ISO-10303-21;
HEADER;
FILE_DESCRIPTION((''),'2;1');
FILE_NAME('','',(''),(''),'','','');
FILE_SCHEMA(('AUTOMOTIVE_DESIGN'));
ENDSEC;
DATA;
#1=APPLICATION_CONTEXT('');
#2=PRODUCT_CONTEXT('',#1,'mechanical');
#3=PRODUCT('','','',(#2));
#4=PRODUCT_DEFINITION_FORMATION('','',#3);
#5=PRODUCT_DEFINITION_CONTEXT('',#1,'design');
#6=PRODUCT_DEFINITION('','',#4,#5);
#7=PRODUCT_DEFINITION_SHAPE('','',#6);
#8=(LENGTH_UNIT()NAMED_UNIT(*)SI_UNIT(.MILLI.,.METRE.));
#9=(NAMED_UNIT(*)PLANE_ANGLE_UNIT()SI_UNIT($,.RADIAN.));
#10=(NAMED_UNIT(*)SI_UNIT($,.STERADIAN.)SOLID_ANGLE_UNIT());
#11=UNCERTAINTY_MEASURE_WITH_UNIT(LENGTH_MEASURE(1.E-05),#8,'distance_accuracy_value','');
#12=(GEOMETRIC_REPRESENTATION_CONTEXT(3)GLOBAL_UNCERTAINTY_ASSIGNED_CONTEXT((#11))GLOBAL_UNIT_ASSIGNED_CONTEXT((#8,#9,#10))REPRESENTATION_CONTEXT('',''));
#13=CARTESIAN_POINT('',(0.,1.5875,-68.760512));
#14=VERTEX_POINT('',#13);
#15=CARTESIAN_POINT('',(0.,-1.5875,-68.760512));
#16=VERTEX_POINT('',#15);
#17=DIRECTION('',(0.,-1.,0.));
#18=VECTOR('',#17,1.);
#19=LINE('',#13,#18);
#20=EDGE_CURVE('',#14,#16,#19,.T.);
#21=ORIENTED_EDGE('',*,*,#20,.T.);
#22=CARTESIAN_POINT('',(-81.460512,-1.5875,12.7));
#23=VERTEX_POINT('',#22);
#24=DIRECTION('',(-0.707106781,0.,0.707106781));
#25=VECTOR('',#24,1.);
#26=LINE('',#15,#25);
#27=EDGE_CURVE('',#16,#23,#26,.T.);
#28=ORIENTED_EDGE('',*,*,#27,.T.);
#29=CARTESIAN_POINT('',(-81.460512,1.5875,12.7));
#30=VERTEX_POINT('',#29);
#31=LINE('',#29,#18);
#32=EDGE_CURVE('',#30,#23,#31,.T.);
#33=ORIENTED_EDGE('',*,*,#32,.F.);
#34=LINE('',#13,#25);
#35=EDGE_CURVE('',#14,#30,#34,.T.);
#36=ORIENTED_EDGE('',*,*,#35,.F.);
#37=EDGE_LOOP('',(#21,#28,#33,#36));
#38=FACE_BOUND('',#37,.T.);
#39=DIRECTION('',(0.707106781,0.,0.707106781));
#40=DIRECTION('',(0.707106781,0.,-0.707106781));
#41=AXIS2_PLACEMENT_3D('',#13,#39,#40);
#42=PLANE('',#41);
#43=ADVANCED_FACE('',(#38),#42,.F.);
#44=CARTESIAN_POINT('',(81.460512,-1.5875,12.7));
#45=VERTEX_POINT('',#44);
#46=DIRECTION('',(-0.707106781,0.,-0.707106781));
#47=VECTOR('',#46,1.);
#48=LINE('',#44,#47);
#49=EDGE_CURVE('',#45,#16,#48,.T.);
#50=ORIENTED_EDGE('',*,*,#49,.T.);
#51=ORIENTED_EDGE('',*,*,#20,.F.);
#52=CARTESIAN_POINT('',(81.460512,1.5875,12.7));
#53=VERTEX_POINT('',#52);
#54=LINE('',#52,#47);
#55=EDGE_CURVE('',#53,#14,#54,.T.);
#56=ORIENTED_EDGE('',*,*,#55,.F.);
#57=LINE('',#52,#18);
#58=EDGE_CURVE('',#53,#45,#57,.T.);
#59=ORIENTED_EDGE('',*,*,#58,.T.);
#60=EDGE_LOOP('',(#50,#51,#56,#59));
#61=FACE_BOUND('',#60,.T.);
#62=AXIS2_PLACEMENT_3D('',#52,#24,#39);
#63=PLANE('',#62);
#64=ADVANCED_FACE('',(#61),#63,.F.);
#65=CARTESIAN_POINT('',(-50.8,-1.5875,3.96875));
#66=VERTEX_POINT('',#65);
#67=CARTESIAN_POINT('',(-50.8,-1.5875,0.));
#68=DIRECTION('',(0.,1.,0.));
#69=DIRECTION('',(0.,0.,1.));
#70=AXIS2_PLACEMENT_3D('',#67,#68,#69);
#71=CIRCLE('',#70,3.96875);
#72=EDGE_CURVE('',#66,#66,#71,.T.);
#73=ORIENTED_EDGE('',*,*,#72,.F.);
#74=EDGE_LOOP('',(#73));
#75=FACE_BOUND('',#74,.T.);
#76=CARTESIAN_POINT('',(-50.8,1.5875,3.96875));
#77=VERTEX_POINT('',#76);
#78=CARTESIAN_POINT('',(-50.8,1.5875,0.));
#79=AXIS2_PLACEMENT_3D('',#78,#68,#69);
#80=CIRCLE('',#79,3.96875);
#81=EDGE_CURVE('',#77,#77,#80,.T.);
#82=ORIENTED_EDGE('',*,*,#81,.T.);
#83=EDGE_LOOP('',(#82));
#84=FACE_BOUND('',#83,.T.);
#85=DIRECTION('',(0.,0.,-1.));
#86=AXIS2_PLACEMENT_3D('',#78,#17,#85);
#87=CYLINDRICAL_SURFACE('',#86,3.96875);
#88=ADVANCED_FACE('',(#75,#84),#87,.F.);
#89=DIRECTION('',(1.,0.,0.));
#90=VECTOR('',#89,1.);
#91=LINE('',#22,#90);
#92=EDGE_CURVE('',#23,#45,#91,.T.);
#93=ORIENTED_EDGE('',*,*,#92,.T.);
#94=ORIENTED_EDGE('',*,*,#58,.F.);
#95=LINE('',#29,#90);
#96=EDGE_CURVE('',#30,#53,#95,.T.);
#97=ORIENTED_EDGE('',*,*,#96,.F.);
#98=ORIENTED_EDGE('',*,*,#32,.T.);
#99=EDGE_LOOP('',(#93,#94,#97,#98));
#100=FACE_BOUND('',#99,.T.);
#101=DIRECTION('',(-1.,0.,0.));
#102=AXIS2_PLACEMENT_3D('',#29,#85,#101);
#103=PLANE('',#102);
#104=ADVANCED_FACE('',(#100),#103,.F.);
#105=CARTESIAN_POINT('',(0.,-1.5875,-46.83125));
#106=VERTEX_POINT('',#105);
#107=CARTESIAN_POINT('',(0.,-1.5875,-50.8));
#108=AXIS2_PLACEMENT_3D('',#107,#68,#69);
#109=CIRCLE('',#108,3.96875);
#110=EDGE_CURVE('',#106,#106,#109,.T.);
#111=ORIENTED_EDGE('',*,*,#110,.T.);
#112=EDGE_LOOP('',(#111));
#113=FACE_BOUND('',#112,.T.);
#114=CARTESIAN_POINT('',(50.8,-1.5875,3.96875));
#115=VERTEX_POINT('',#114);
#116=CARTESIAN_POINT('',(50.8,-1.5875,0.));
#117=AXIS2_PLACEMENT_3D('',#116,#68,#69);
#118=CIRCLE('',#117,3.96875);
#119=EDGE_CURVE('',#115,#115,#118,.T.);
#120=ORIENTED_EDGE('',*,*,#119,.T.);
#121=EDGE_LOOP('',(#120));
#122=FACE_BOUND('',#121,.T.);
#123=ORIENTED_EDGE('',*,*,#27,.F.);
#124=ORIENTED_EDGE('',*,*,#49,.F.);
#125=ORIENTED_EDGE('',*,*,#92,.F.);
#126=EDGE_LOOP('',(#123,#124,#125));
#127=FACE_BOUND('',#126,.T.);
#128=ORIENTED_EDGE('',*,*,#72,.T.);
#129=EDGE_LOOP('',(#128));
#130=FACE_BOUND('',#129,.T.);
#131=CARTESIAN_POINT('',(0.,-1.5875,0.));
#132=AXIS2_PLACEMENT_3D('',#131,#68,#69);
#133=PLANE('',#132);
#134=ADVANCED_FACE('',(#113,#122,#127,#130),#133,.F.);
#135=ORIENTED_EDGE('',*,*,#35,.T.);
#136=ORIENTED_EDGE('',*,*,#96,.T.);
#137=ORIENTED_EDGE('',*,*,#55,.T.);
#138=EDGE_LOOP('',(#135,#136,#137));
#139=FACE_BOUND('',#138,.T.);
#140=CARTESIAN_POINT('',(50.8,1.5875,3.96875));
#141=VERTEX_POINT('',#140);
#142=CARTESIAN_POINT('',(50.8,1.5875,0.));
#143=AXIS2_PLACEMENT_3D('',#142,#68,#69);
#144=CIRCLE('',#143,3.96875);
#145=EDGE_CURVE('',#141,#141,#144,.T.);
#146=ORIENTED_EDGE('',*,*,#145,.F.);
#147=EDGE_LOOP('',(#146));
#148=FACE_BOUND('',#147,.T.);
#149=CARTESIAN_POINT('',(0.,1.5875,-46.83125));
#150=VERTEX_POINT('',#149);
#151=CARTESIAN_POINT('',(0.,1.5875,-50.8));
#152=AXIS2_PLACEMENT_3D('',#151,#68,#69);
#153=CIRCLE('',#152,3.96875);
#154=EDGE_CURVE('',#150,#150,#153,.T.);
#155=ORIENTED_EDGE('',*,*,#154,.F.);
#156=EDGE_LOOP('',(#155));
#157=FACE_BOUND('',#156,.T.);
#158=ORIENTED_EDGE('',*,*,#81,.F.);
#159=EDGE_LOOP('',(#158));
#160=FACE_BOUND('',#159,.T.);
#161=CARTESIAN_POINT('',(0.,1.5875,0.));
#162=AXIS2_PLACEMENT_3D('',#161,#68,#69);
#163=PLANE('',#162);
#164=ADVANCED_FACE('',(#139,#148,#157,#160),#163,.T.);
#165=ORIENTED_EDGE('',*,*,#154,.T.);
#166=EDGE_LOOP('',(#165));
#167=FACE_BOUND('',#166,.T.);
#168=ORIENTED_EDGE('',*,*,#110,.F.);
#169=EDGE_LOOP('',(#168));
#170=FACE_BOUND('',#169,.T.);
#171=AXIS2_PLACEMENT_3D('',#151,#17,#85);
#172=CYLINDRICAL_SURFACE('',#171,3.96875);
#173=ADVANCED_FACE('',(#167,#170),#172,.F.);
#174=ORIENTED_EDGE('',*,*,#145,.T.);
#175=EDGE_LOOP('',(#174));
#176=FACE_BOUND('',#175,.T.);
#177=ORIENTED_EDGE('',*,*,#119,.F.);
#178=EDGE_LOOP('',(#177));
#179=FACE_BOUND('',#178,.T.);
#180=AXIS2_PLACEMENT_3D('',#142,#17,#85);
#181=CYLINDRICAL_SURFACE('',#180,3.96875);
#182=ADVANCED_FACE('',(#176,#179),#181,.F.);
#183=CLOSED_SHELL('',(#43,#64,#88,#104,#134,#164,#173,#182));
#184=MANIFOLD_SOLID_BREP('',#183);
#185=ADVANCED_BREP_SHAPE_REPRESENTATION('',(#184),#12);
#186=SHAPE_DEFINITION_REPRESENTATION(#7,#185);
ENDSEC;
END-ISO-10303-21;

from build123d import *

# Parameters (mm, degrees)
SKETCH1_R           = 3.96875
BOSS_EXTRUDE1_DEPTH = 1.5875


with BuildPart() as part:
    # Sketch1 → Boss-Extrude1 (new, symmetric)
    with BuildSketch(Plane(origin=(0, 0, 0), x_dir=(1, 0, 0), z_dir=(0, 1, 0))):
        Polygon((0, 68.760512242), (-81.460512242, -12.7), (81.460512242, -12.7), align=None)
        with Locations(Location((-50.8, 0, 0), (0, 0, 270))):
            Circle(SKETCH1_R, mode=Mode.SUBTRACT)
        with Locations(Location((0, 50.8, 0), (0, 0, 270))):
            Circle(SKETCH1_R, mode=Mode.SUBTRACT)
        with Locations(Location((50.8, 0, 0), (0, 0, 270))):
            Circle(SKETCH1_R, mode=Mode.SUBTRACT)
    extrude(amount=BOSS_EXTRUDE1_DEPTH, both=True)


solid = part.part
